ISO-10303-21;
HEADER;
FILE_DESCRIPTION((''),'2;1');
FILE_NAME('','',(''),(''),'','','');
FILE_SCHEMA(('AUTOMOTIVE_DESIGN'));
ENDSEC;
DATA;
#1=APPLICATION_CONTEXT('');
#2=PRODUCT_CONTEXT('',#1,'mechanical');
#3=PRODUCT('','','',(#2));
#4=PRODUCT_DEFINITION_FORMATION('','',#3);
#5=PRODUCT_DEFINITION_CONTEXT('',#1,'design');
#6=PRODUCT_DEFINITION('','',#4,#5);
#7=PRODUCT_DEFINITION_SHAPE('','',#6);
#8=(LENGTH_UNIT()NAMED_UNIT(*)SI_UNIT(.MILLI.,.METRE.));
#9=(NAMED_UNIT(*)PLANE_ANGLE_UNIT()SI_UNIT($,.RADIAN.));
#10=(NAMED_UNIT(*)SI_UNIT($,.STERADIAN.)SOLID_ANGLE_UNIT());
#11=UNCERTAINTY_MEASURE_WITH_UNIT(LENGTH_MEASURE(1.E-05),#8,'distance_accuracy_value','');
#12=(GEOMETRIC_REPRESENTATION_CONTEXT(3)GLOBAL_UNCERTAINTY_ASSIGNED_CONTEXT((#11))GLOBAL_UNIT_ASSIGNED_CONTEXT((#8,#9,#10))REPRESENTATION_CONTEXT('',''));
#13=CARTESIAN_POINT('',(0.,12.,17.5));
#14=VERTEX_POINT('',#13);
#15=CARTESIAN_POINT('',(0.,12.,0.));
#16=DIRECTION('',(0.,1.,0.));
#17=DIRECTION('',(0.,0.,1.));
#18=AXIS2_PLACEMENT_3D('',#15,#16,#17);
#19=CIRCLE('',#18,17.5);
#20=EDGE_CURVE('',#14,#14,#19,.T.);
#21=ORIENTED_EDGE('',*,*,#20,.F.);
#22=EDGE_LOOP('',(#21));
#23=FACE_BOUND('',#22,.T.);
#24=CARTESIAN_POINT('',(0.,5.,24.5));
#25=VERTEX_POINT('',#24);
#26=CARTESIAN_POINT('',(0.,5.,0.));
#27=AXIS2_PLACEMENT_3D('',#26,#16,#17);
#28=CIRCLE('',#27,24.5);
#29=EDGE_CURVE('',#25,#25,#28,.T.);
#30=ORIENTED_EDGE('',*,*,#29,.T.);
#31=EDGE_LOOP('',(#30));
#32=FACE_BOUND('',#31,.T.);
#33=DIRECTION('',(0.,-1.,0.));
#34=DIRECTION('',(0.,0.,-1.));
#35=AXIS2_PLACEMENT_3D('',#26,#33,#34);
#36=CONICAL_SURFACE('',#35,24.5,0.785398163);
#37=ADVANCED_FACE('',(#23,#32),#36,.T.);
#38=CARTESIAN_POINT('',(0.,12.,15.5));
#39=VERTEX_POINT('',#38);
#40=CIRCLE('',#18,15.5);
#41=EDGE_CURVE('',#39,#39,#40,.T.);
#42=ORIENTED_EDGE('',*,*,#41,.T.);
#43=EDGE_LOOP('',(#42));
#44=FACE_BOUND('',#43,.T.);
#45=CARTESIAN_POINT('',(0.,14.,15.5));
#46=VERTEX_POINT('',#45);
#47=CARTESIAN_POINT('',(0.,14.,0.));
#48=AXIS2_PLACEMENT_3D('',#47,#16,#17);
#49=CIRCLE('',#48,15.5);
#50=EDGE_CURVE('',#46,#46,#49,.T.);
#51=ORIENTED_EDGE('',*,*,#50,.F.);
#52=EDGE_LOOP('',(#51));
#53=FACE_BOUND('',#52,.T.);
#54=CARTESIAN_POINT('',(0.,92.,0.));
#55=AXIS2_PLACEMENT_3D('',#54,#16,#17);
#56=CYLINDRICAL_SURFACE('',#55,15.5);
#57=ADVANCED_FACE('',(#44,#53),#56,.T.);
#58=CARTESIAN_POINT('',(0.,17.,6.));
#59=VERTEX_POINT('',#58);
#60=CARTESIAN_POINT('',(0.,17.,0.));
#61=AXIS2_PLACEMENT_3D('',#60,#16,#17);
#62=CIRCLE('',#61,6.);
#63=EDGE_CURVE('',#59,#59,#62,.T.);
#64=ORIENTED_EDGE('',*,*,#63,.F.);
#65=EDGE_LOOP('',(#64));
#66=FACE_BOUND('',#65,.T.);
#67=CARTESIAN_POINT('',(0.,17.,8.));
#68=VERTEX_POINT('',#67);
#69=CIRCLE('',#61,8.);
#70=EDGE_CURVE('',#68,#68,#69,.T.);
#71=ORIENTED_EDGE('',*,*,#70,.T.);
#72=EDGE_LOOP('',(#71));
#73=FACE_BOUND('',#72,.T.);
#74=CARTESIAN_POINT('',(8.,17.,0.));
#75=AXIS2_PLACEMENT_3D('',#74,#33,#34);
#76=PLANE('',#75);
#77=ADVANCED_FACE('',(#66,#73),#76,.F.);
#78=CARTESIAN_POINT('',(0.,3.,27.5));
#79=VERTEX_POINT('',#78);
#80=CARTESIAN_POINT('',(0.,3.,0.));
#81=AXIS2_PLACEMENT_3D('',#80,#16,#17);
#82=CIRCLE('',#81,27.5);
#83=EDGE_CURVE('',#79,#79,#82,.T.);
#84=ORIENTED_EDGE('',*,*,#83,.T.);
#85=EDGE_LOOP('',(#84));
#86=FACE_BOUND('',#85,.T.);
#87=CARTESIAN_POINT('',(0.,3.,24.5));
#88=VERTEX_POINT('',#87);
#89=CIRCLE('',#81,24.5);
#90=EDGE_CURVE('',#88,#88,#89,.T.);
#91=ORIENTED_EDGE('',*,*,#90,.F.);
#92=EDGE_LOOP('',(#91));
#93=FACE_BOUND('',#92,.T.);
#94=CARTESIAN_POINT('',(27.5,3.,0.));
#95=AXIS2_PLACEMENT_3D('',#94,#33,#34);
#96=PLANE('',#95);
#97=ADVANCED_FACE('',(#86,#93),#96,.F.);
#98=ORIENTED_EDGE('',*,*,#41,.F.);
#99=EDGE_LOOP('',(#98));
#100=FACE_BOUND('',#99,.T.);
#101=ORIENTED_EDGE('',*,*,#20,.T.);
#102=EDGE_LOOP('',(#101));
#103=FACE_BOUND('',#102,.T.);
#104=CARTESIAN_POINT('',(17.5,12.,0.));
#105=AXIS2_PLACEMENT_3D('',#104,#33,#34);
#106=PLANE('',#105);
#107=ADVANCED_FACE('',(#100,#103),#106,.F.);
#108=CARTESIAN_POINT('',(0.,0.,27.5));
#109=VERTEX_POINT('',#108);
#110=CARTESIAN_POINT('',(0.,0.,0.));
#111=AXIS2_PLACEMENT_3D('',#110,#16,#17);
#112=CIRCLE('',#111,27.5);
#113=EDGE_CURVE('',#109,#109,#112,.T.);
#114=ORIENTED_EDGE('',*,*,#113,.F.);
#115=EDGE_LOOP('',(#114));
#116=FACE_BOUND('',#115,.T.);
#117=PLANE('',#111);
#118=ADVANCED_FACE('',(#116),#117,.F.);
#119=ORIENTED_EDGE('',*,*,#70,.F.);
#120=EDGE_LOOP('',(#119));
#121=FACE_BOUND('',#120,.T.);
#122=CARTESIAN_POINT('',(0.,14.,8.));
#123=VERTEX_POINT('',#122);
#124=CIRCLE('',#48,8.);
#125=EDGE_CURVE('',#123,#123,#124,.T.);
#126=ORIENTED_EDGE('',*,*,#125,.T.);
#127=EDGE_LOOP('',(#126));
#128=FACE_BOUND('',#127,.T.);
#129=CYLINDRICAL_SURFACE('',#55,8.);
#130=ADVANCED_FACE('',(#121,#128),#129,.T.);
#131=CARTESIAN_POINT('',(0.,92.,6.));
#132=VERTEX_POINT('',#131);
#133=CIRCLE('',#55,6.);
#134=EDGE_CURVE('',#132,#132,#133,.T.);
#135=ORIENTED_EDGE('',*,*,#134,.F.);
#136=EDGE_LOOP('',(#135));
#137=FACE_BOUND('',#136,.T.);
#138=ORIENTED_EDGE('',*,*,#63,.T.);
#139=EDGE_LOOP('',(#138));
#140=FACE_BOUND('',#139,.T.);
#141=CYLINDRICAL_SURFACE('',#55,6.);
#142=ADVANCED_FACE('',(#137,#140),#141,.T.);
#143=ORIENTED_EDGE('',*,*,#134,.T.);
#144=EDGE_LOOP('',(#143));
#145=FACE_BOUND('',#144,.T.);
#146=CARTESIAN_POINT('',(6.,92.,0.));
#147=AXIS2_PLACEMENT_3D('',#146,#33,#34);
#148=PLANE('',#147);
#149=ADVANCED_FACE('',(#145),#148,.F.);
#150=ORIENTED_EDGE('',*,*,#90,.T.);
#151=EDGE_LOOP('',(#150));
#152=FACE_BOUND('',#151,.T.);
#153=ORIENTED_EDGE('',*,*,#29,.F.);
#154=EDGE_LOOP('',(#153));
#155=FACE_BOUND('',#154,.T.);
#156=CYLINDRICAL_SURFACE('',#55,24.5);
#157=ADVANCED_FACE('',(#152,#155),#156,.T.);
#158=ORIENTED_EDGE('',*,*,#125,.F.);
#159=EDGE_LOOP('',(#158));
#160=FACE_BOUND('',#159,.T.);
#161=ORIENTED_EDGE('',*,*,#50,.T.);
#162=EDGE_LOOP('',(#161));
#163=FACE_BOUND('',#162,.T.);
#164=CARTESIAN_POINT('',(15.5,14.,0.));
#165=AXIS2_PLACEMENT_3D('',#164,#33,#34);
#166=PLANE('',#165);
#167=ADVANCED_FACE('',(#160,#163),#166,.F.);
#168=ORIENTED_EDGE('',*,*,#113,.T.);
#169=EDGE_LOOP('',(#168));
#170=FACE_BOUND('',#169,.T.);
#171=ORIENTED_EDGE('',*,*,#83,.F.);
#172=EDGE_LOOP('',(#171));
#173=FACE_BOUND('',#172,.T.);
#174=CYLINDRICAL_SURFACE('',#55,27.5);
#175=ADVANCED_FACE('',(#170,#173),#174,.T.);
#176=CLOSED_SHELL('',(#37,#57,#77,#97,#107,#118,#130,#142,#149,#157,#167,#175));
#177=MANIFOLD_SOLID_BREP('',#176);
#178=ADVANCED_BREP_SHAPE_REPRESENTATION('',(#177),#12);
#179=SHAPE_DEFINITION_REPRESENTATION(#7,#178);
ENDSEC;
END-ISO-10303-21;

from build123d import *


with BuildPart() as part:
    # Esquisse1 → Révolution1 (revolve)
    with BuildSketch(Plane.XY, mode=Mode.PRIVATE) as r_volution1_sk:
        Polygon((0, 0), (27.5, 0), (27.5, 3), (24.5, 3), (24.5, 5), (17.5, 12), (15.5, 12), (15.5, 14), (8, 14), (8, 17), (6, 17), (6, 92), (0, 92), align=None)
    revolve(r_volution1_sk.sketch.rotate(Axis((0, 92, 0), (0, -1, 0)), 90), axis=Axis((0, 92, 0), (0, -1, 0)))


solid = part.part
